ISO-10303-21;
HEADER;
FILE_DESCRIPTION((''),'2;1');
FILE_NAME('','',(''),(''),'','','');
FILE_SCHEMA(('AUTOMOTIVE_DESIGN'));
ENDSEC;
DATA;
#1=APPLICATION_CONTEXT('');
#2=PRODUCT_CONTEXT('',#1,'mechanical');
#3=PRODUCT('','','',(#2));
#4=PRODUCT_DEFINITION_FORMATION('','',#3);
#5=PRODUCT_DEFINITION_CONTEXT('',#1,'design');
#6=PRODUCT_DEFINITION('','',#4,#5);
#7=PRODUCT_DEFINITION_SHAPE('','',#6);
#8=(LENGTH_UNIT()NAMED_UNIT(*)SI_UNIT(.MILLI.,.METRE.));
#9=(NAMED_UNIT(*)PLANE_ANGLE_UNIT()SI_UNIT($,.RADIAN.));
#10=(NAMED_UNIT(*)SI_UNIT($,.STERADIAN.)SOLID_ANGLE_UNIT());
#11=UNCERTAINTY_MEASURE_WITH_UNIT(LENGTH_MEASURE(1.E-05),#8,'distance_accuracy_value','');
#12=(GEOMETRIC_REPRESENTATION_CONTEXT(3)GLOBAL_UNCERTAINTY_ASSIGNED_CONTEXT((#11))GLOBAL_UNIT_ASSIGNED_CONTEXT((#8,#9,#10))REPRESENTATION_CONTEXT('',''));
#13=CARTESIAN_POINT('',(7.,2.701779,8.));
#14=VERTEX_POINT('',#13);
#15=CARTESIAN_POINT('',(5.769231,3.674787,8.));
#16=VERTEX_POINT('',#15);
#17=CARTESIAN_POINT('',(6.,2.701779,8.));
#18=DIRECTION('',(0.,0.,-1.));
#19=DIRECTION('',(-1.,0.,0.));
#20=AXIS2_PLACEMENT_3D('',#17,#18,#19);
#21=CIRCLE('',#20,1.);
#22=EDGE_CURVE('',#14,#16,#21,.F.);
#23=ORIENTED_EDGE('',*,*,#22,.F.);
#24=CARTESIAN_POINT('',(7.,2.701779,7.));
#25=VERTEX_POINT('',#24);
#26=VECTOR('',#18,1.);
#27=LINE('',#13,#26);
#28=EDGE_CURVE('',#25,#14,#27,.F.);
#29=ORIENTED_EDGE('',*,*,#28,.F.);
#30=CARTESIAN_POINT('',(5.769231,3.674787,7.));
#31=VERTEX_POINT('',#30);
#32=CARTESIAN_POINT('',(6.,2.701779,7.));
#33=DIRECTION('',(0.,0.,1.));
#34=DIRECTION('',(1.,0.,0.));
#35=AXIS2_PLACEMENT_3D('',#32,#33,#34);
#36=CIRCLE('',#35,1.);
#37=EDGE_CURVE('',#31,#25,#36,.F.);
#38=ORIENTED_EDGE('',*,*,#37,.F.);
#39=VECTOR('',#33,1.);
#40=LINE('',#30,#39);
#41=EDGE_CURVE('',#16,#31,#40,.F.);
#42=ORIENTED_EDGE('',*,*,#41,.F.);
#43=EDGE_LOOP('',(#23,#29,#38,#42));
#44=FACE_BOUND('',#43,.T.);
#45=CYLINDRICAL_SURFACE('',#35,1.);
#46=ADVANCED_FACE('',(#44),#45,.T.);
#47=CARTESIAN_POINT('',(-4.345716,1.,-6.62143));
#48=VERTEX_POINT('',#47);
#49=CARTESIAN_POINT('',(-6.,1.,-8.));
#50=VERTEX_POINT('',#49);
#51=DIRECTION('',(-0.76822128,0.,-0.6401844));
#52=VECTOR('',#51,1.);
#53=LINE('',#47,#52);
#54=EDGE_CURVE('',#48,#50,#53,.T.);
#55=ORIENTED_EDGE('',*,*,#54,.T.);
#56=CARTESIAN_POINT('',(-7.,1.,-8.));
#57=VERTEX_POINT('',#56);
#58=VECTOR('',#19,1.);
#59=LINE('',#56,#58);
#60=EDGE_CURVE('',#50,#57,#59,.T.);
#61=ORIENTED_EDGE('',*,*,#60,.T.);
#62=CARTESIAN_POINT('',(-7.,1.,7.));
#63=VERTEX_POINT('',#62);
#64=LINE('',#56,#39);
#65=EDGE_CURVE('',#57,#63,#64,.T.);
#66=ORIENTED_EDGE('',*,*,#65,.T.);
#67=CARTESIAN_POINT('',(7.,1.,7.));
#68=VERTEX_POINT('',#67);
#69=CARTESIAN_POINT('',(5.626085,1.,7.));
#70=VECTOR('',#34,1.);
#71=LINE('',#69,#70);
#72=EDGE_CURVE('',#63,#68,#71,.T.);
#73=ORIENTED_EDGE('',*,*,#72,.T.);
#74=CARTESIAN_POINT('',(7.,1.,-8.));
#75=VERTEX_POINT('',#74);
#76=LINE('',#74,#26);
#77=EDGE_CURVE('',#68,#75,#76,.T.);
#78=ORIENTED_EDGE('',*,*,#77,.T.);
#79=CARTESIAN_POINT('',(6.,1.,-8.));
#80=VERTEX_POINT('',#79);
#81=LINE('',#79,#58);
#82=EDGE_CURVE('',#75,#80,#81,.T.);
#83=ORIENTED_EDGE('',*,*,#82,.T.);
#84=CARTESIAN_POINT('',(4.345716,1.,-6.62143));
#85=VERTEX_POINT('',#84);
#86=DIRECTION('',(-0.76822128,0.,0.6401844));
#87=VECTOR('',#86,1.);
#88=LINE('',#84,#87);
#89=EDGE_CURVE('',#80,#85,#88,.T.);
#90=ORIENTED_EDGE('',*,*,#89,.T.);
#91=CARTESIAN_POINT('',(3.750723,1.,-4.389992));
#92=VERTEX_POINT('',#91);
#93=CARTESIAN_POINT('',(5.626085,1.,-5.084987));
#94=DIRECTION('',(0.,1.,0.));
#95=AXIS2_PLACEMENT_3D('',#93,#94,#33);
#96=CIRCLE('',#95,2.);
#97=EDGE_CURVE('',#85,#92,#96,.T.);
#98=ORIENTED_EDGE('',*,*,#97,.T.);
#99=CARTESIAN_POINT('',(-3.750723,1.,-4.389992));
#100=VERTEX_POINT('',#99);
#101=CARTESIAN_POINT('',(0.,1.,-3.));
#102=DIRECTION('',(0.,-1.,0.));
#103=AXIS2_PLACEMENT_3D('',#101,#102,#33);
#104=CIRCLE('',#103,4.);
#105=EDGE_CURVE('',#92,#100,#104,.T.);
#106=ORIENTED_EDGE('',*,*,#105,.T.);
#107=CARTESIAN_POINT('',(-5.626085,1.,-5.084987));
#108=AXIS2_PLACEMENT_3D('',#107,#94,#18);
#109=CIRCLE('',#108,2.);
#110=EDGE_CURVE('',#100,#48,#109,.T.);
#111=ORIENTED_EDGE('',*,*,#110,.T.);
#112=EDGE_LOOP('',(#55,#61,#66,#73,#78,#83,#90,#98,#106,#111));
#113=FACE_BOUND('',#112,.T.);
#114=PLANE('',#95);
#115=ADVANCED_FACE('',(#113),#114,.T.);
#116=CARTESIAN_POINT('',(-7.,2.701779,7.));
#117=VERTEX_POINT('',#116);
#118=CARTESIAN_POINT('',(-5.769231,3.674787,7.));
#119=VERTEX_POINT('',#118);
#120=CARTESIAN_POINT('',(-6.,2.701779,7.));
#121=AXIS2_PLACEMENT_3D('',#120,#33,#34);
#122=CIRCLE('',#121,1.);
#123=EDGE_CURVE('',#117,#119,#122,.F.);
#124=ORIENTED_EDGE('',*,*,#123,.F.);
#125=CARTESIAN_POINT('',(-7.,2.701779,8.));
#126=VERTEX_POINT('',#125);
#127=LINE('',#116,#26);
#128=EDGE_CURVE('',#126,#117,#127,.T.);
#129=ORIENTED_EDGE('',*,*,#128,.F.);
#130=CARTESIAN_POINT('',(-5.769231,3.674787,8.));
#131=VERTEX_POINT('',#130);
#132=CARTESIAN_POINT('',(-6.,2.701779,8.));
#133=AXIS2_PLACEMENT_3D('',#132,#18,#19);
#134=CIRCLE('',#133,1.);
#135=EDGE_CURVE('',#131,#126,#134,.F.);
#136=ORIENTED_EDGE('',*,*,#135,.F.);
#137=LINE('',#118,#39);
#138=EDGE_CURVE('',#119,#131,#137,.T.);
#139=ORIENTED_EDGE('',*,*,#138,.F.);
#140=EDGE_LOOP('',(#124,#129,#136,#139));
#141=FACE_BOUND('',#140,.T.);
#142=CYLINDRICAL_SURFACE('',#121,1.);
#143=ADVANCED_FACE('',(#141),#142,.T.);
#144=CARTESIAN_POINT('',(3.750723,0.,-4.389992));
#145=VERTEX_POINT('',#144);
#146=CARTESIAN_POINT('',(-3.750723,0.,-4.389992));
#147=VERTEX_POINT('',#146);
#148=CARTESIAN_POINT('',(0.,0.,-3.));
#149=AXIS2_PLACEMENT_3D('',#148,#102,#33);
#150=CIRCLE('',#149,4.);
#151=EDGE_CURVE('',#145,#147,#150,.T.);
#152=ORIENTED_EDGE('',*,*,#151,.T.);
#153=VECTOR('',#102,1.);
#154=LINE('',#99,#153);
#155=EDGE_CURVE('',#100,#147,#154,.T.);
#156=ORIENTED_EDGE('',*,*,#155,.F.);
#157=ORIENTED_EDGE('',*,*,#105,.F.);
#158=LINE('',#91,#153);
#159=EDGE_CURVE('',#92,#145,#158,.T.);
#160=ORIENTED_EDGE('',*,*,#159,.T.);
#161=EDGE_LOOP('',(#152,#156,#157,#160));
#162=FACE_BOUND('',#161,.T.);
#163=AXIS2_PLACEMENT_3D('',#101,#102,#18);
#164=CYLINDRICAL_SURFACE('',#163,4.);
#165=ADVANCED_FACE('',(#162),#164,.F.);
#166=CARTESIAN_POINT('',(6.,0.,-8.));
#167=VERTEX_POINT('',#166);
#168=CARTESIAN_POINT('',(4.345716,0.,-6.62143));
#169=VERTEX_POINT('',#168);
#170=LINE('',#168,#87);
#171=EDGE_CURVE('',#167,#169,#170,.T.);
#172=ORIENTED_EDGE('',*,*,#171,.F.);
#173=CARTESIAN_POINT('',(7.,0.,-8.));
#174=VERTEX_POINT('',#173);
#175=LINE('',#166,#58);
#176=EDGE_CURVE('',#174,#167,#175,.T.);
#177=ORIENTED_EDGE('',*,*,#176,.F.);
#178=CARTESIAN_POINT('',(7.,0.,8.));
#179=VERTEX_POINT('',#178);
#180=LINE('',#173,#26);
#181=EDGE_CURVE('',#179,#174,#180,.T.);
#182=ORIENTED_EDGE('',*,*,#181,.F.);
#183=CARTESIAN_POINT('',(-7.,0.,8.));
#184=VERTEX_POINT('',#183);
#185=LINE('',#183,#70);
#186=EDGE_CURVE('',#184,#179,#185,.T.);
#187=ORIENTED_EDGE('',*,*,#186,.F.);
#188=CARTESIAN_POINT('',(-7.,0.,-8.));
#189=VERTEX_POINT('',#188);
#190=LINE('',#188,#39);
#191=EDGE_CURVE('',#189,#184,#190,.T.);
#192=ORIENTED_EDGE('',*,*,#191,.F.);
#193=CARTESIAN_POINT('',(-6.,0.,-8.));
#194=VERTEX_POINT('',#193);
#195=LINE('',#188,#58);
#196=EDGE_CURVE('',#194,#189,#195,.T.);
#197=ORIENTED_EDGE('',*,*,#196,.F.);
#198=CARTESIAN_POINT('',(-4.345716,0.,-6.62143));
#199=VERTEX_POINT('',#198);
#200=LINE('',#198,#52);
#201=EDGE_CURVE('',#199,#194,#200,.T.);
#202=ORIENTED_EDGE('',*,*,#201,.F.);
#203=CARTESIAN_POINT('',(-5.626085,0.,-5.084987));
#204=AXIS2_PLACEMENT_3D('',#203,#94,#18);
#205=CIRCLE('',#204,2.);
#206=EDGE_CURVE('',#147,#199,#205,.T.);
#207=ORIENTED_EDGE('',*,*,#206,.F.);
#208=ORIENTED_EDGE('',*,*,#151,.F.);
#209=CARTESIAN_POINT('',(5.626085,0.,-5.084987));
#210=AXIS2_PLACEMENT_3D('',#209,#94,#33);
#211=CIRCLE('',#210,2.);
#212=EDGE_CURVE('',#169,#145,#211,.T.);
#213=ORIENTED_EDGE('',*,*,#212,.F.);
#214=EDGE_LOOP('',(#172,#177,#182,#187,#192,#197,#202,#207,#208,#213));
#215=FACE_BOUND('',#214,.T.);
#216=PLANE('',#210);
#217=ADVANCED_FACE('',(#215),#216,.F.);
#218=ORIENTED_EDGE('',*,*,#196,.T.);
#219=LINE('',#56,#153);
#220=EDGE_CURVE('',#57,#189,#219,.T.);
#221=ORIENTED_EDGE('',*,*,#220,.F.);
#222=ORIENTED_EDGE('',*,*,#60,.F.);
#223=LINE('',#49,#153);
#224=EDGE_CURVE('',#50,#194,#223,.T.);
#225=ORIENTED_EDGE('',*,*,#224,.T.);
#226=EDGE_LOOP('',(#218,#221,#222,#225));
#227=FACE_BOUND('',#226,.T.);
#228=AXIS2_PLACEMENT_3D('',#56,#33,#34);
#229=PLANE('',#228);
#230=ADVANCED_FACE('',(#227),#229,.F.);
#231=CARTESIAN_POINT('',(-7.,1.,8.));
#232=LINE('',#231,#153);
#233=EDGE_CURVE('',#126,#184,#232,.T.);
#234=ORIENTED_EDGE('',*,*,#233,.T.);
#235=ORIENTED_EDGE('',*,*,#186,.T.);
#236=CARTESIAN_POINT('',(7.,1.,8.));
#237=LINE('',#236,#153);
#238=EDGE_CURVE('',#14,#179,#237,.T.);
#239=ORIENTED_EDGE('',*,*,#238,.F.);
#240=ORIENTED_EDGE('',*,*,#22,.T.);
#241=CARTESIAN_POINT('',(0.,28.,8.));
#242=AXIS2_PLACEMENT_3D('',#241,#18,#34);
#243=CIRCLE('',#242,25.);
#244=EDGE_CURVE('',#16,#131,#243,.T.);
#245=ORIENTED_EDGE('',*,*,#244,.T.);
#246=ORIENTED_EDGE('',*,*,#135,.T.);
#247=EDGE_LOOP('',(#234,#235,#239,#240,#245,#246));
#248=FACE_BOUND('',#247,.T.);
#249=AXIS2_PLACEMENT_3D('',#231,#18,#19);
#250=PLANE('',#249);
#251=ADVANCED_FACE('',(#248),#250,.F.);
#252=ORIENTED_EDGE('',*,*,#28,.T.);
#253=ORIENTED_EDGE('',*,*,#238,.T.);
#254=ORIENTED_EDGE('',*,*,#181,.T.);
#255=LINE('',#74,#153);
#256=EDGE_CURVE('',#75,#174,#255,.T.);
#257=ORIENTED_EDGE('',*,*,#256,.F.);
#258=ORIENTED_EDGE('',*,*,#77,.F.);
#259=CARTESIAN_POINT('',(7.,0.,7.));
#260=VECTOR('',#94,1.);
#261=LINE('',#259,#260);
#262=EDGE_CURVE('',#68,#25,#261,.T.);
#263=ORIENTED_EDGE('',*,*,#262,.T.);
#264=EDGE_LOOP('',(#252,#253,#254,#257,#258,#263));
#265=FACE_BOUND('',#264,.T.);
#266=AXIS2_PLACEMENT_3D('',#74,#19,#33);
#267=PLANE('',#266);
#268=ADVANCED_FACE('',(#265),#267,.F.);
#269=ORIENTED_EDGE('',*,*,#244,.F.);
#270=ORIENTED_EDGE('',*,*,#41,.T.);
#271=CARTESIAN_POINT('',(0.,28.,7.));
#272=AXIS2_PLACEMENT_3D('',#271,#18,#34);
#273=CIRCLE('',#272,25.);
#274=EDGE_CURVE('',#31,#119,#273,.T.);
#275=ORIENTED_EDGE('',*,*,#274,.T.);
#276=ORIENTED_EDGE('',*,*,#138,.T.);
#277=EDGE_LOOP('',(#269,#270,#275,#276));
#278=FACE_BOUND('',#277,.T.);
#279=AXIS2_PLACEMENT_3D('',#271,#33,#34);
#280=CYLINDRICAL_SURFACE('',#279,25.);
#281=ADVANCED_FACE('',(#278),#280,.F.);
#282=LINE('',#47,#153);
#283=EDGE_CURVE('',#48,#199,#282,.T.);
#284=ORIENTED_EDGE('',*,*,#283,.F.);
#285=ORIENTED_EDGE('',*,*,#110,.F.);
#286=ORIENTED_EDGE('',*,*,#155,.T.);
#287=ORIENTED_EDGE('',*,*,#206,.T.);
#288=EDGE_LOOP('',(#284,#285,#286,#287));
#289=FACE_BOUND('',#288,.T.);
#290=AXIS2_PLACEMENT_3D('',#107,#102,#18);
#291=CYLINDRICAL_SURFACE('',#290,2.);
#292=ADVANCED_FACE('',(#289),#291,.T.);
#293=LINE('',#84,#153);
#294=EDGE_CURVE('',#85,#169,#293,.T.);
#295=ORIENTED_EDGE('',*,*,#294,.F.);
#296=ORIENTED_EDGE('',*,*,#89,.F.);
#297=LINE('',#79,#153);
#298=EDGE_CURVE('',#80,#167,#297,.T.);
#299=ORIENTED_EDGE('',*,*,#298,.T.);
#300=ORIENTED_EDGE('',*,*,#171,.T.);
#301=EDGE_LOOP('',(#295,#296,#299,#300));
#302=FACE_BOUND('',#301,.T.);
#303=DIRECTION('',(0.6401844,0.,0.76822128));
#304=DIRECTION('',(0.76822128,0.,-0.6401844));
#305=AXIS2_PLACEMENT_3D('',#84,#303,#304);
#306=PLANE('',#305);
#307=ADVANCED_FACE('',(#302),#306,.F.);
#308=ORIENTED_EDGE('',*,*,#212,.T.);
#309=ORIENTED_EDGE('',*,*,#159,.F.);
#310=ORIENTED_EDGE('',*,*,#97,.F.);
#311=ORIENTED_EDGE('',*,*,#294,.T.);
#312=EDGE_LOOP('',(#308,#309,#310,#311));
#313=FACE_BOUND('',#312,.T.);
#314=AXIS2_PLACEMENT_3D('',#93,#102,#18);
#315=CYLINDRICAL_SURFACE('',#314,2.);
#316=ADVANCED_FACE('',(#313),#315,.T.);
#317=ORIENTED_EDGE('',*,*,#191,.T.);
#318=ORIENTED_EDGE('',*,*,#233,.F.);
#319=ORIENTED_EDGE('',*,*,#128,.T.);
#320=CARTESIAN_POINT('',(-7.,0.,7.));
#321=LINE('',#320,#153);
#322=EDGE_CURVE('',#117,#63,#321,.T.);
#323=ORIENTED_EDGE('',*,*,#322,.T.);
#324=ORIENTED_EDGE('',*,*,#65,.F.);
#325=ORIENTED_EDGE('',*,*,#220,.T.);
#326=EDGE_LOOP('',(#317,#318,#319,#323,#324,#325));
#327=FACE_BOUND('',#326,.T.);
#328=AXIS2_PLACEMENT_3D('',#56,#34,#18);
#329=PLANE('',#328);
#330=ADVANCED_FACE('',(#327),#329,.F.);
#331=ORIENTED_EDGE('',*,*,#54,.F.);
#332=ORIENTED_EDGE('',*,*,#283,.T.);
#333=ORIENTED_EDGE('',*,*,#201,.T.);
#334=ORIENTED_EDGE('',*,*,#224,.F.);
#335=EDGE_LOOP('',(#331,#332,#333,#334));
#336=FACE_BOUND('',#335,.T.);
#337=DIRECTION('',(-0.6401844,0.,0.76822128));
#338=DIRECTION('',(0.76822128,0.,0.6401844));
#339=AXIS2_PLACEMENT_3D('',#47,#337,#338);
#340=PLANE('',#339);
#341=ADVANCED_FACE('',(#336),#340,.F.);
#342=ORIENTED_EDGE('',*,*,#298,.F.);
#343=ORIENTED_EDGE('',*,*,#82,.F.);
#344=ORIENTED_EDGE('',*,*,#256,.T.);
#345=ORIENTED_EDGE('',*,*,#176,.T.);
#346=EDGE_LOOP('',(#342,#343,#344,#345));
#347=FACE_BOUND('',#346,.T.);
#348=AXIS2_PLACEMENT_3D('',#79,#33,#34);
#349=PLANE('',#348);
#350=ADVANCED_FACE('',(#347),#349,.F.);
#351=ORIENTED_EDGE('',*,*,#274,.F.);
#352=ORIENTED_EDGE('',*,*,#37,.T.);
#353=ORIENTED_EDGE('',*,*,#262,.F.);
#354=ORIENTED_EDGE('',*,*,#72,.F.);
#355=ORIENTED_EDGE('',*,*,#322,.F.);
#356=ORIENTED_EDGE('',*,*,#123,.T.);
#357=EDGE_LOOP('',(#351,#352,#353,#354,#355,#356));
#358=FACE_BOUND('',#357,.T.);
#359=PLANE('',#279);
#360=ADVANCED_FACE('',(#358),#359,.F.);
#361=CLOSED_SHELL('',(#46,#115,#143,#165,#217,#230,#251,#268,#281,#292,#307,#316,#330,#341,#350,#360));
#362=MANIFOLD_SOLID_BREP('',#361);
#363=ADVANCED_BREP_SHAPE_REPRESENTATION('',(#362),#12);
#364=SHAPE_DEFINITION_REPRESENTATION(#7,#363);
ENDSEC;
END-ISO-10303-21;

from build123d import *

# Parameters (mm, degrees)
EXTRUDE1_DEPTH = 1
EXTRUDE2_DEPTH = 1
FILLET1_R      = 1


with BuildPart() as part:
    # Sketch1 → Extrude1 (new body)
    with BuildSketch(Plane(origin=(0, 0, 0), x_dir=(1, 0, 0), z_dir=(0, 1, 0))):
        with BuildLine():
            Line((-7, 8), (-6, 8))
            Line((-6, 8), (-4.34571581, 6.621429842))
            ThreePointArc((-4.34571581, 6.621429842), (-3.693602337, 5.600266108), (-3.750723073, 4.389991522))
            ThreePointArc((-3.750723073, 4.389991522), (0, -1), (3.750723073, 4.389991522))
            ThreePointArc((3.750723073, 4.389991522), (3.693602337, 5.600266108), (4.34571581, 6.621429842))
            Line((4.34571581, 6.621429842), (6, 8))
            Line((6, 8), (7, 8))
            Line((7, 8), (7, -8))
            Line((7, -8), (-7, -8))
            Line((-7, -8), (-7, 8))
        make_face()
    extrude(amount=EXTRUDE1_DEPTH)

    # Sketch2 → Extrude2 (add)
    with BuildSketch(Plane.XY.offset(8)):
        with BuildLine():
            Line((-7, 0), (7, 0))
            Line((7, 0), (7, 4))
            ThreePointArc((7, 4), (0, 3), (-7, 4))
            Line((-7, 4), (-7, 0))
        make_face()
    extrude(amount=-EXTRUDE2_DEPTH)

    # Fillet1
    fillet1_edges = [part.edges().sort_by_distance(p)[0] for p in [
        (-7, 4, 7.5),
        (7, 4, 7.5),
    ]]
    fillet(fillet1_edges, radius=FILLET1_R)


solid = part.part
